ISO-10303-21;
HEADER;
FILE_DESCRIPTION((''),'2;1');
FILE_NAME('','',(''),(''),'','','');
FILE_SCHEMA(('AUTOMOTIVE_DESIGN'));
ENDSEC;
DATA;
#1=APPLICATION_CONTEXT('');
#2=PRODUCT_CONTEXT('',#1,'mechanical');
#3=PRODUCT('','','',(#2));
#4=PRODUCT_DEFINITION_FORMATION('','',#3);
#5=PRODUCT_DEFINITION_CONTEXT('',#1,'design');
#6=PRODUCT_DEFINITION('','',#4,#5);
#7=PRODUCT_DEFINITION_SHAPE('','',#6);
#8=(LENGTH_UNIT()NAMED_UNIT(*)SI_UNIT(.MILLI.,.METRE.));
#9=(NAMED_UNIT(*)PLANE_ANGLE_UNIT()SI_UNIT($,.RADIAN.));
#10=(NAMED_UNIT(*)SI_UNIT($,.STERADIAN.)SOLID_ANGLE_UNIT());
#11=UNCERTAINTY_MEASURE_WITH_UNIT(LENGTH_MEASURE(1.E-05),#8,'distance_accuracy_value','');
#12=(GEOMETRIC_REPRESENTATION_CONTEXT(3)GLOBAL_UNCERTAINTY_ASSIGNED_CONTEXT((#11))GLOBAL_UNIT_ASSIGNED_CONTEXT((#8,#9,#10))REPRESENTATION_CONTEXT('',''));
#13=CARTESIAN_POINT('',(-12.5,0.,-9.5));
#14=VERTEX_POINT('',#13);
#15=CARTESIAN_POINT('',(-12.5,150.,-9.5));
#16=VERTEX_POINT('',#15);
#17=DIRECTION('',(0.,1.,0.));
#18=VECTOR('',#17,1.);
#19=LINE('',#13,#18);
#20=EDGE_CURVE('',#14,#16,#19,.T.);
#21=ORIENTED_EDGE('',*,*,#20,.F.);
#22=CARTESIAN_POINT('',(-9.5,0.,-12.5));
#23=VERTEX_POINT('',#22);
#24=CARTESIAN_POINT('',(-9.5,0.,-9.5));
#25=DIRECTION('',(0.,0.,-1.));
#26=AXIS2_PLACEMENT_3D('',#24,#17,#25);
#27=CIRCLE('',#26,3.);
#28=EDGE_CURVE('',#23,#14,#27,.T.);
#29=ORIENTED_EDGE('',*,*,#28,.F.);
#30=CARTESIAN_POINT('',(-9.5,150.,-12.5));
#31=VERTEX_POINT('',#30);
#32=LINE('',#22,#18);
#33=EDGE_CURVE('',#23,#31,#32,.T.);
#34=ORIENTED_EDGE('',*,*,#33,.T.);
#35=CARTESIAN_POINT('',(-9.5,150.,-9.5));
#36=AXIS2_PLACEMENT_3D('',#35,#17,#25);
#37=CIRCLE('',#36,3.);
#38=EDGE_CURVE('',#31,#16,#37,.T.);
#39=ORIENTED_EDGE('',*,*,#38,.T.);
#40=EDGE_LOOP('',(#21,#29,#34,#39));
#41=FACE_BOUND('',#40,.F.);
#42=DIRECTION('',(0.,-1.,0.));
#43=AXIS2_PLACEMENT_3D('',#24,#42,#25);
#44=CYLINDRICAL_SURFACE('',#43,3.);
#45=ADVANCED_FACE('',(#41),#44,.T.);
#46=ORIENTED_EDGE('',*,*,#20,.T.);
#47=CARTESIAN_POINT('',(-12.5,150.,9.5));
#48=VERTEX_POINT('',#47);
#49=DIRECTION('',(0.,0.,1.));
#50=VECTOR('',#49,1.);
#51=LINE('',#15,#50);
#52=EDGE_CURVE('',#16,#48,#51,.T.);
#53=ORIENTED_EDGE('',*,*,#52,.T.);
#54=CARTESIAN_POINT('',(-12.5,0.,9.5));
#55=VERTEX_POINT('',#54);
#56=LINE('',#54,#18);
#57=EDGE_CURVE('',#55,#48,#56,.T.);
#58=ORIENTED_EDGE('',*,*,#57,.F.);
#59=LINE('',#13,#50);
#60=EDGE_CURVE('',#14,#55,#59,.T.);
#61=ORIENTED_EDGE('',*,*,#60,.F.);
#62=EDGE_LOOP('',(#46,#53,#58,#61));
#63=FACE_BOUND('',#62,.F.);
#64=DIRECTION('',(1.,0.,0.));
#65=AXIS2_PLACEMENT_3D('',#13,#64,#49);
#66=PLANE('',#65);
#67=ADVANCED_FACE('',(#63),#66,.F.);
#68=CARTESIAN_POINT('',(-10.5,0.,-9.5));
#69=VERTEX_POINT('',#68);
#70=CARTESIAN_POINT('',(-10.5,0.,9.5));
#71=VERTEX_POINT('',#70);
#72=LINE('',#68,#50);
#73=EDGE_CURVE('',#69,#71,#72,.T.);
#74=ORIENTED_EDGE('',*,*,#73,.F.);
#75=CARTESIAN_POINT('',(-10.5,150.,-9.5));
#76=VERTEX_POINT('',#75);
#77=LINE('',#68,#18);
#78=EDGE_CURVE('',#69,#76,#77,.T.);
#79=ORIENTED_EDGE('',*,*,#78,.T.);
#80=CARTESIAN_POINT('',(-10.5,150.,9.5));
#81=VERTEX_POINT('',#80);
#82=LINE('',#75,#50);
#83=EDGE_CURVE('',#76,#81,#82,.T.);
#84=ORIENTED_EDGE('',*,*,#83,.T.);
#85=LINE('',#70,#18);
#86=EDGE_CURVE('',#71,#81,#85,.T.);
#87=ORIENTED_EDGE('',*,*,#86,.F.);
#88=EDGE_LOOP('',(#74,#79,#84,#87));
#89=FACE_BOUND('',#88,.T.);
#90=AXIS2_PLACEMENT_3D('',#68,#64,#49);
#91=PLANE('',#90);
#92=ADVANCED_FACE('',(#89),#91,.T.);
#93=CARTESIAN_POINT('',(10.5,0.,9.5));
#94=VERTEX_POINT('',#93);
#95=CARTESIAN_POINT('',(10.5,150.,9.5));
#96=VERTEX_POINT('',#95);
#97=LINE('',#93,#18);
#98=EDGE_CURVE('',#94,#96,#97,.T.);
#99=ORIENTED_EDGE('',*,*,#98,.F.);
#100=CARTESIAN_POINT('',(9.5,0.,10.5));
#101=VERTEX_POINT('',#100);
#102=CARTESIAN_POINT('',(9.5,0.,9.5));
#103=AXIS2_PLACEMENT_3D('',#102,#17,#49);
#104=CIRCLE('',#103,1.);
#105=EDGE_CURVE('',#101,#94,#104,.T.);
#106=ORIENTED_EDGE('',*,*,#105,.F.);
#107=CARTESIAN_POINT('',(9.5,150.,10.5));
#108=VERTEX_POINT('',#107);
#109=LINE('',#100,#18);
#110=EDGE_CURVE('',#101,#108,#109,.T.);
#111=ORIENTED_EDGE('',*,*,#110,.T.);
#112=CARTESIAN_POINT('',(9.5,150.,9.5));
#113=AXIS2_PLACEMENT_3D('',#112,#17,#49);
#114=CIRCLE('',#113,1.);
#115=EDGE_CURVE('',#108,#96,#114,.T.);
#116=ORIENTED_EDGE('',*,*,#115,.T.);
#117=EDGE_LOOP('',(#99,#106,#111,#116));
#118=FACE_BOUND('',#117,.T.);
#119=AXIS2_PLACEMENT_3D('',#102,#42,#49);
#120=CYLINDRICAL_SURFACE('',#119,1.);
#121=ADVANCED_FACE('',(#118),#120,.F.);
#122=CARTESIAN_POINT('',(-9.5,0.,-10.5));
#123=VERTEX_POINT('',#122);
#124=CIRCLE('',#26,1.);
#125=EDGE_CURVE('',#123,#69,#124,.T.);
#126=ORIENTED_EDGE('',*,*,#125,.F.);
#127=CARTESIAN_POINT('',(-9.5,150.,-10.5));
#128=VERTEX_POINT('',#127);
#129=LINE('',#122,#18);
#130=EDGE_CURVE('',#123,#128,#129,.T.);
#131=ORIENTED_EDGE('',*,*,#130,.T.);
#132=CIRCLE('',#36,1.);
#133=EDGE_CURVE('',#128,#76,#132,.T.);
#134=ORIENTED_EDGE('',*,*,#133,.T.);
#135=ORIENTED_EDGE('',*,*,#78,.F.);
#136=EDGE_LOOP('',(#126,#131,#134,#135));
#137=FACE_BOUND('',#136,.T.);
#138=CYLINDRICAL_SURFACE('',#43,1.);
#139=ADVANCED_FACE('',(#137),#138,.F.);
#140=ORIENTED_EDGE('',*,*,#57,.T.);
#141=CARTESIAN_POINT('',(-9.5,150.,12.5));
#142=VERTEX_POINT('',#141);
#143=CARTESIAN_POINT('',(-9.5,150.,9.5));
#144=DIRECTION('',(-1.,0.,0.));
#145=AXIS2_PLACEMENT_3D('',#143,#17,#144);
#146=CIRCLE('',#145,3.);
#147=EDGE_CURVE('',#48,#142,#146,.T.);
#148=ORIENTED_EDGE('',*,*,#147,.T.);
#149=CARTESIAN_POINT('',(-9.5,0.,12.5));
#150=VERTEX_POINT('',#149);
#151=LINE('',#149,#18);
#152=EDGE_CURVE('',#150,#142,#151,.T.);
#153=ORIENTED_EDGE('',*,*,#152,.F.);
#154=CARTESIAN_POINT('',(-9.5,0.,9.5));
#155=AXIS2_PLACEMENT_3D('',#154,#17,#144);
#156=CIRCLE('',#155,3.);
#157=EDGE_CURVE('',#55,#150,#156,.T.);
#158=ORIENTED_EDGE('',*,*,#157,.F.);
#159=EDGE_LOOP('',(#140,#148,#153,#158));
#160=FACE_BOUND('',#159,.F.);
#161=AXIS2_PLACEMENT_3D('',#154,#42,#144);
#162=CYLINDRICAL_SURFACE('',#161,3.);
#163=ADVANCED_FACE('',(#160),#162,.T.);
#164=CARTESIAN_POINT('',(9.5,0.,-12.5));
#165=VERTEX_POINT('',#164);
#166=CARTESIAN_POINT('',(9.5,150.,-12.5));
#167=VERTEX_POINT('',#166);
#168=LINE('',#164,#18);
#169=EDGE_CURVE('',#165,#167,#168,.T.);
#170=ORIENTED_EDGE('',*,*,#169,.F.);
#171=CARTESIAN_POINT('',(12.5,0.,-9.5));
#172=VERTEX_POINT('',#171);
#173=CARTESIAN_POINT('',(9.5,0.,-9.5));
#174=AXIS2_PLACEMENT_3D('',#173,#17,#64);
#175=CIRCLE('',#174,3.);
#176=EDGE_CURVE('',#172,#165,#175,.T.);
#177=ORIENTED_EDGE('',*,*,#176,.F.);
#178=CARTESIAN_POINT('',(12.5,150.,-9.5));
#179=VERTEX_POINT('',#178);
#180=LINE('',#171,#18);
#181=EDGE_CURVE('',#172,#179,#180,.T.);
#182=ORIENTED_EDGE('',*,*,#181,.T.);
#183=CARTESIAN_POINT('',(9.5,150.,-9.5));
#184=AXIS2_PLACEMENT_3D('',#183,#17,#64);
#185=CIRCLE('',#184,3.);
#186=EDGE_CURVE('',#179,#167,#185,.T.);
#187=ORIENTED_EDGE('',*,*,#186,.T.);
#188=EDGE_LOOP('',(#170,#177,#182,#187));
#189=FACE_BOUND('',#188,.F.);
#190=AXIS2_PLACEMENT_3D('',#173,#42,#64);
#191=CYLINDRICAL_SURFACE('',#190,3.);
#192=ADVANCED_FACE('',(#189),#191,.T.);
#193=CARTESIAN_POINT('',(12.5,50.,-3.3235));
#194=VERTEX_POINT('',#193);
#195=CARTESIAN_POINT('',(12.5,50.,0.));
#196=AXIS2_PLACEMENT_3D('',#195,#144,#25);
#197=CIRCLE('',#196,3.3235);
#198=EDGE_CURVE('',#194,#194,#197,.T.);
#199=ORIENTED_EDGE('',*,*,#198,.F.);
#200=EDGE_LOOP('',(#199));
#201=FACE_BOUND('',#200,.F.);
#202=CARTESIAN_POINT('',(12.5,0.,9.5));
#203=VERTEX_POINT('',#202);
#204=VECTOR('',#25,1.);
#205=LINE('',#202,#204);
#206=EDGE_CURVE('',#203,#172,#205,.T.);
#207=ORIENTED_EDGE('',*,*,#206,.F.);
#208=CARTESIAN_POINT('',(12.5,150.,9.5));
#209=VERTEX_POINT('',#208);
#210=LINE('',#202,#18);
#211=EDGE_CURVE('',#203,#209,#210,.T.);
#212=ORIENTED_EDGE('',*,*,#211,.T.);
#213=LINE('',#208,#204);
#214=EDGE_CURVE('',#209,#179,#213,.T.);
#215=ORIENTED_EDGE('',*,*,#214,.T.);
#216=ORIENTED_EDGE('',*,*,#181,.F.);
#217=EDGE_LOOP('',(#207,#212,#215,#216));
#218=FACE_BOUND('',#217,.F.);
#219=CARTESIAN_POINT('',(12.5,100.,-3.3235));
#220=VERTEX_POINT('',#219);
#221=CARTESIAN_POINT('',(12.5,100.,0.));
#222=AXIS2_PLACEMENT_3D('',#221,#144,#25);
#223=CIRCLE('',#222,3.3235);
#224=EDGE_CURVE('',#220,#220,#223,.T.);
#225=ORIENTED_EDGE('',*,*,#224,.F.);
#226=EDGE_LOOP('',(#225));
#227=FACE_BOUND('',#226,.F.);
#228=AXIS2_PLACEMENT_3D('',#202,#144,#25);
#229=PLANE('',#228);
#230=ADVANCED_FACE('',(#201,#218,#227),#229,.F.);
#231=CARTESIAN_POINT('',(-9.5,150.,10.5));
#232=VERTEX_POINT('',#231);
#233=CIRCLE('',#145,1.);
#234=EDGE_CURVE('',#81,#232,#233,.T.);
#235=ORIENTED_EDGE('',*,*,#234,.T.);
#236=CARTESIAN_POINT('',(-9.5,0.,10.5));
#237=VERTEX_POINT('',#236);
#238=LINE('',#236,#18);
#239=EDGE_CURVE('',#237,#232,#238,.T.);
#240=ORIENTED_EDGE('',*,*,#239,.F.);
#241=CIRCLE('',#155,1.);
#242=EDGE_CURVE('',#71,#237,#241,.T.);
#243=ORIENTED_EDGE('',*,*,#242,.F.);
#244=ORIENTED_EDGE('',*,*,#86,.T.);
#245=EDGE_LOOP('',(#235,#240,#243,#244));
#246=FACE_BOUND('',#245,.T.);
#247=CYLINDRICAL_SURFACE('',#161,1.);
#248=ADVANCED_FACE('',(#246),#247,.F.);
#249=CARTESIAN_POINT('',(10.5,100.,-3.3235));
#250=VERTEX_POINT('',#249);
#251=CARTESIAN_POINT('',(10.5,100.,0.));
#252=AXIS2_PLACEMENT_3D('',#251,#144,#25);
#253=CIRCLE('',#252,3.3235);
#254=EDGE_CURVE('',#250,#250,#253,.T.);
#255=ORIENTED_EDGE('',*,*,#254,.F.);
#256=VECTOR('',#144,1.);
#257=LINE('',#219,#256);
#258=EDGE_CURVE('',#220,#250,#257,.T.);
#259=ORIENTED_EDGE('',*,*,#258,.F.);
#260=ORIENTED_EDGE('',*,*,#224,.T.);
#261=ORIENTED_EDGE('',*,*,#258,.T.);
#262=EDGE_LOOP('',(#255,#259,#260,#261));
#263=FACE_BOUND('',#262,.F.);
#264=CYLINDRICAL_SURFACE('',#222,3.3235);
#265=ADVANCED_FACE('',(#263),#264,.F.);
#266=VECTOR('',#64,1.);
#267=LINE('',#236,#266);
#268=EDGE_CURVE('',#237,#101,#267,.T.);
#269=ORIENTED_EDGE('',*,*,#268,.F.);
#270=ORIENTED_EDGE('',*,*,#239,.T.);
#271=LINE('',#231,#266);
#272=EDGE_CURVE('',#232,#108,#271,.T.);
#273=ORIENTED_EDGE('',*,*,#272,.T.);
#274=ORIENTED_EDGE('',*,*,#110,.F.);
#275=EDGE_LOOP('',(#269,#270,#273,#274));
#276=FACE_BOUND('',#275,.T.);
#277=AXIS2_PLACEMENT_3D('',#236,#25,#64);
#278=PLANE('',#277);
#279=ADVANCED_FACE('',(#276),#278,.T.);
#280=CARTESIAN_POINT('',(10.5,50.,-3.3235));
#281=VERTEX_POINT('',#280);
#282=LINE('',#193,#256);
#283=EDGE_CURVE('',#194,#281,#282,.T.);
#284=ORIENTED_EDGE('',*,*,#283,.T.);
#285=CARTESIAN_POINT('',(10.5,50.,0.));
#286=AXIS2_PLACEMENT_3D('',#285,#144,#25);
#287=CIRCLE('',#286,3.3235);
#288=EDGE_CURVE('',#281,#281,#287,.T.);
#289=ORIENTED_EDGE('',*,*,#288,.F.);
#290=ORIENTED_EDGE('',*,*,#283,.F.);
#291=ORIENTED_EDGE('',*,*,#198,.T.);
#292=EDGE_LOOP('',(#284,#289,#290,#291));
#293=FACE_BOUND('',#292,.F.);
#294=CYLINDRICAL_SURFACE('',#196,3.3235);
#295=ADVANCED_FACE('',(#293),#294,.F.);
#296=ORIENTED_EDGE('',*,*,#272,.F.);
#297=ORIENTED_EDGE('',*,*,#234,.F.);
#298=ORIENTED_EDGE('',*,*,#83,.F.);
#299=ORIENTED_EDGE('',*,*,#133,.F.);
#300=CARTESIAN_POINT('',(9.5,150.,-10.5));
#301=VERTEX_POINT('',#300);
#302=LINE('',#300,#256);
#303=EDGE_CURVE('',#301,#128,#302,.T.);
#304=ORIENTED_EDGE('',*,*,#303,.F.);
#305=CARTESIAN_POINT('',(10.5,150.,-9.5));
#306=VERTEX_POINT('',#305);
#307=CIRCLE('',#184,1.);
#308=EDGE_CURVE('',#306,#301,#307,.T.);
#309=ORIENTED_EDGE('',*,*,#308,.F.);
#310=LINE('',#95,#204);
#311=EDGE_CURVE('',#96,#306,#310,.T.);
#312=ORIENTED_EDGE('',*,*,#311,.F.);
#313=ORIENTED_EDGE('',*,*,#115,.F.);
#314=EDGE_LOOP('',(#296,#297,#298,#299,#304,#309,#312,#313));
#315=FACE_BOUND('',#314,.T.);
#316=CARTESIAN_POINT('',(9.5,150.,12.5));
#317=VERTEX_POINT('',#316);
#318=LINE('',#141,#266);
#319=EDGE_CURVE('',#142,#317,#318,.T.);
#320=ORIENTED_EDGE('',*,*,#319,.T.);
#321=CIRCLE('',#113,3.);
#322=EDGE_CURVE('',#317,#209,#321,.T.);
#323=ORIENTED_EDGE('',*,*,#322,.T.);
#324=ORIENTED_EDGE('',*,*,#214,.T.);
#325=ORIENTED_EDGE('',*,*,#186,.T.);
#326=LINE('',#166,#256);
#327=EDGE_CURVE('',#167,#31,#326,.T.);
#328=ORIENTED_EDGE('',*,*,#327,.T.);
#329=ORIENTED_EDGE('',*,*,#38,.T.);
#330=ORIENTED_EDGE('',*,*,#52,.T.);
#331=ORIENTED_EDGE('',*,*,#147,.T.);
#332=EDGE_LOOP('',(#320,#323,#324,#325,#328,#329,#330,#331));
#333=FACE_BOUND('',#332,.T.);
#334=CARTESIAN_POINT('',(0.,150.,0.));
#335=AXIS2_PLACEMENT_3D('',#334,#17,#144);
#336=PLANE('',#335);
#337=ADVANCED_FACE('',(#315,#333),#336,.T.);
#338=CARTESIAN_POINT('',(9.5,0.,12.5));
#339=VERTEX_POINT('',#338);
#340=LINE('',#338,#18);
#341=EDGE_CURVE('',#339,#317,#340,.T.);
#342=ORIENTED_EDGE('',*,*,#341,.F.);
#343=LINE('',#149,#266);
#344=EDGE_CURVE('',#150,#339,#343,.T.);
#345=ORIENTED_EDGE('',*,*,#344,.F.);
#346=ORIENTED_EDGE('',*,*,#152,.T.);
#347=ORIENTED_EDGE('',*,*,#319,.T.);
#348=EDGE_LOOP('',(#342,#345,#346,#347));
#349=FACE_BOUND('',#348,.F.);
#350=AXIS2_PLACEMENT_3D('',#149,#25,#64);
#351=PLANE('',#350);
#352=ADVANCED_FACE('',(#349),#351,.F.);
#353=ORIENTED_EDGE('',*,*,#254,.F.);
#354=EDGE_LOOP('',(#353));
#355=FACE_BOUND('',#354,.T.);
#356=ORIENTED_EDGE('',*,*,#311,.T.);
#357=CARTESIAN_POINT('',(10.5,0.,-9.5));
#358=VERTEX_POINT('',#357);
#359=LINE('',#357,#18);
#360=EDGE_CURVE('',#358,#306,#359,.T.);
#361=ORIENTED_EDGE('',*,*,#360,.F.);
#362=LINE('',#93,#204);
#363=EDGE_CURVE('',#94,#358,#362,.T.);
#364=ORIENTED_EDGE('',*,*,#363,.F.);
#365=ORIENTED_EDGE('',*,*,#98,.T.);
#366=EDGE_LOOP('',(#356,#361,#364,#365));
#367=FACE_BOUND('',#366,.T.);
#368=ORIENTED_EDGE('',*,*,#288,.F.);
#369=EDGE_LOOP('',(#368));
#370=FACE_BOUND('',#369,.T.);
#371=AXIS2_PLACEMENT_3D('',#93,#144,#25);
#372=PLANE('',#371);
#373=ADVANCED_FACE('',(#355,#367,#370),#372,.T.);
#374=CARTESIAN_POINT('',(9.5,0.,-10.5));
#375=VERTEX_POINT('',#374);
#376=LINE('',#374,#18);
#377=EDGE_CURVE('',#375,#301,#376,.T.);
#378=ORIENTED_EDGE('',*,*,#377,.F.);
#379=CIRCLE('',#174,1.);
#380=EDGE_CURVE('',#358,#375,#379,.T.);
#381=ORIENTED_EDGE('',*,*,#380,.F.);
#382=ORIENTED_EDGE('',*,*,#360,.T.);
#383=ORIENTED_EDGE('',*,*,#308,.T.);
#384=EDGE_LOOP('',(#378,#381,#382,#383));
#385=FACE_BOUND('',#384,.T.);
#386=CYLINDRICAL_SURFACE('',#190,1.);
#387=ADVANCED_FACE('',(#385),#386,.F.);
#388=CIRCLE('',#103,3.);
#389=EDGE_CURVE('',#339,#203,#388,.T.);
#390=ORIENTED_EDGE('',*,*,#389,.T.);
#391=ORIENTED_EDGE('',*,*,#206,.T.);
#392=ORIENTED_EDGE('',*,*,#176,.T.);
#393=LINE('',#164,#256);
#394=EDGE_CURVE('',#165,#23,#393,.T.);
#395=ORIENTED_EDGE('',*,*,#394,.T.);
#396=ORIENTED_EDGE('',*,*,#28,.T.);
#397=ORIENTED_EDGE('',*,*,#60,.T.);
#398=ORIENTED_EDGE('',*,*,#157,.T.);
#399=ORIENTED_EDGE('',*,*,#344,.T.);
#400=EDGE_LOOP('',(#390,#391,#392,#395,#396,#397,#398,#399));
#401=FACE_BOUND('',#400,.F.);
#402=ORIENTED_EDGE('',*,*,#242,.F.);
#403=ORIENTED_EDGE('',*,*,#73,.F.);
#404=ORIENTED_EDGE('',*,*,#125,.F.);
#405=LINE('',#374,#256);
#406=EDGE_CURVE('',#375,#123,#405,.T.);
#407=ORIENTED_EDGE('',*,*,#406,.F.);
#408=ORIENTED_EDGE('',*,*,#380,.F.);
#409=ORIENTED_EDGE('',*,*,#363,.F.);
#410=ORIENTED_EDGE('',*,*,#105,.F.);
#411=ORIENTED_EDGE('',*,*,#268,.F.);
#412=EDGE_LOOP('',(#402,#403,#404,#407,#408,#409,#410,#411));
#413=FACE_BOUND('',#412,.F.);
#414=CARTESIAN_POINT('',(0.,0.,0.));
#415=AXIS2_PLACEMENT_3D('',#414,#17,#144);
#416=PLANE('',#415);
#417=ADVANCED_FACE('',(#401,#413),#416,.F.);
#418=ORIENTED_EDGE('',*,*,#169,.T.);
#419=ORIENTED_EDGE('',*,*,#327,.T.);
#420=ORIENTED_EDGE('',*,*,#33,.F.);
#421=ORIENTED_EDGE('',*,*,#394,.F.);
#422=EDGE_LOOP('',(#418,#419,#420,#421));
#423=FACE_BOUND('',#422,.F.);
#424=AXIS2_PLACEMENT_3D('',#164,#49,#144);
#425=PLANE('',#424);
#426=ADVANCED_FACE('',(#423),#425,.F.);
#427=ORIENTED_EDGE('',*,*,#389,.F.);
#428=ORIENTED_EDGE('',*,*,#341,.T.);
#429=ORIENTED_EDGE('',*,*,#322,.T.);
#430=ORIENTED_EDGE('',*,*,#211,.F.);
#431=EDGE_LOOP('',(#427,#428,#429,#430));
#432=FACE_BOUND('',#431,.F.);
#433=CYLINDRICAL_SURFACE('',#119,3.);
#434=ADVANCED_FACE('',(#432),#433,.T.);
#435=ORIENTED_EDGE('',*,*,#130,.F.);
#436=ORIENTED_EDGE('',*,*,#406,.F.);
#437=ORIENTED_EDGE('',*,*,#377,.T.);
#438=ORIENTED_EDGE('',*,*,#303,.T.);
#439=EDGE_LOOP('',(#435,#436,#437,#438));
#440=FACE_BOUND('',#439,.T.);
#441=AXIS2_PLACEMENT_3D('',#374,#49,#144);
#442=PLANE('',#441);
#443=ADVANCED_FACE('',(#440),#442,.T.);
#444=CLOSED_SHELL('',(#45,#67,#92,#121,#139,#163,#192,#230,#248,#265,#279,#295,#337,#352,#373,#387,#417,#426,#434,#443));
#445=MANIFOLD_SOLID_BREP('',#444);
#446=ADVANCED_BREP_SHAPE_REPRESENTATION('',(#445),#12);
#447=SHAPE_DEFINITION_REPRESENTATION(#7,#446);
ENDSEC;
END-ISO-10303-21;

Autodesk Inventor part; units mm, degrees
ref_plane "YZ Plane" through (0, 0, 0) normal (1, 0, 0) x (0, 1, 0)
ref_plane "XZ Plane" through (0, 0, 0) normal (0, 1, 0) x (-1, 0, 0)
ref_plane "XY Plane" through (0, 0, 0) normal (0, 0, 1) x (1, 0, 0)
sketch "Sketch1" plane through (0, 0, 0) normal (0, 1, 0) x (-1, 0, 0)
  line L0 (-9.5, 11.5) -> (9.5, 11.5) construction
  line L1 (11.5, 9.5) -> (11.5, -9.5) construction
  line L2 (9.5, -11.5) -> (-9.5, -11.5) construction
  line L3 (-11.5, -9.5) -> (-11.5, 9.5) construction
  line L4 (-11.5, 11.5) -> (11.5, -11.5) construction
  line L5 (11.5, 11.5) -> (-11.5, -11.5) construction
  arc A0 (11.5, 9.5) -> (9.5, 11.5) centre (9.5, 9.5) ccw construction
  arc A1 (9.5, -11.5) -> (11.5, -9.5) centre (9.5, -9.5) ccw construction
  arc A2 (-11.5, -9.5) -> (-9.5, -11.5) centre (-9.5, -9.5) ccw construction
  arc A3 (-9.5, 11.5) -> (-11.5, 9.5) centre (-9.5, 9.5) ccw construction
  line L6 (-9.5, -12.5) -> (9.5, -12.5)
  arc A4 (9.5, -12.5) -> (12.5, -9.5) centre (9.5, -9.5) ccw
  line L7 (12.5, -9.5) -> (12.5, 9.5)
  arc A5 (12.5, 9.5) -> (9.5, 12.5) centre (9.5, 9.5) ccw
  line L8 (9.5, 12.5) -> (-9.5, 12.5)
  arc A6 (-9.5, 12.5) -> (-12.5, 9.5) centre (-9.5, 9.5) ccw
  line L9 (-12.5, 9.5) -> (-12.5, -9.5)
  arc A7 (-12.5, -9.5) -> (-9.5, -12.5) centre (-9.5, -9.5) ccw
  line L10 (10.5, -9.5) -> (10.5, 9.5)
  arc A8 (10.5, 9.5) -> (9.5, 10.5) centre (9.5, 9.5) ccw
  line L11 (9.5, 10.5) -> (-9.5, 10.5)
  arc A9 (-9.5, 10.5) -> (-10.5, 9.5) centre (-9.5, 9.5) ccw
  line L12 (-10.5, 9.5) -> (-10.5, -9.5)
  arc A10 (-10.5, -9.5) -> (-9.5, -10.5) centre (-9.5, -9.5) ccw
  line L13 (-9.5, -10.5) -> (9.5, -10.5)
  arc A11 (9.5, -10.5) -> (10.5, -9.5) centre (9.5, -9.5) ccw
  point P0 (0, 0)
  point P1 (0, 0)
  point P2 (0, 0)
  dimension "d10" = 2
  dimension "depth" = 25
  dimension "width" = 25
  dimension "thickness" = 2
extrude "Extrusion1" add sketch "Sketch1" along normal blind 150
sketch "Sketch2" plane through (12.5, 0, 9.5) normal (1, 0, 0) x (0, 0, -1)
  line L0 (9.5, -30) -> (9.5, 180) construction
  line L1 (0, 150) -> (19, 150) projected
  point P0 (9.5, 0)
  point P1 (9.5, 100)
  point P2 (9.5, 50)
  dimension "d16" = 50
  dimension "d17" = 50
hole "Hole1" at (12.5, 100, 0) at (12.5, 50, 0) direction (-1, 0, 0) diameter 6.647 depth 20.2 tip angle 118 thread size "M8x1.25" class "6H" standard "ANSI Metric M Profile"
equation "\"d10\" = thickness"
properties part number "beam 25x25x2 1-1" material "Steel"
